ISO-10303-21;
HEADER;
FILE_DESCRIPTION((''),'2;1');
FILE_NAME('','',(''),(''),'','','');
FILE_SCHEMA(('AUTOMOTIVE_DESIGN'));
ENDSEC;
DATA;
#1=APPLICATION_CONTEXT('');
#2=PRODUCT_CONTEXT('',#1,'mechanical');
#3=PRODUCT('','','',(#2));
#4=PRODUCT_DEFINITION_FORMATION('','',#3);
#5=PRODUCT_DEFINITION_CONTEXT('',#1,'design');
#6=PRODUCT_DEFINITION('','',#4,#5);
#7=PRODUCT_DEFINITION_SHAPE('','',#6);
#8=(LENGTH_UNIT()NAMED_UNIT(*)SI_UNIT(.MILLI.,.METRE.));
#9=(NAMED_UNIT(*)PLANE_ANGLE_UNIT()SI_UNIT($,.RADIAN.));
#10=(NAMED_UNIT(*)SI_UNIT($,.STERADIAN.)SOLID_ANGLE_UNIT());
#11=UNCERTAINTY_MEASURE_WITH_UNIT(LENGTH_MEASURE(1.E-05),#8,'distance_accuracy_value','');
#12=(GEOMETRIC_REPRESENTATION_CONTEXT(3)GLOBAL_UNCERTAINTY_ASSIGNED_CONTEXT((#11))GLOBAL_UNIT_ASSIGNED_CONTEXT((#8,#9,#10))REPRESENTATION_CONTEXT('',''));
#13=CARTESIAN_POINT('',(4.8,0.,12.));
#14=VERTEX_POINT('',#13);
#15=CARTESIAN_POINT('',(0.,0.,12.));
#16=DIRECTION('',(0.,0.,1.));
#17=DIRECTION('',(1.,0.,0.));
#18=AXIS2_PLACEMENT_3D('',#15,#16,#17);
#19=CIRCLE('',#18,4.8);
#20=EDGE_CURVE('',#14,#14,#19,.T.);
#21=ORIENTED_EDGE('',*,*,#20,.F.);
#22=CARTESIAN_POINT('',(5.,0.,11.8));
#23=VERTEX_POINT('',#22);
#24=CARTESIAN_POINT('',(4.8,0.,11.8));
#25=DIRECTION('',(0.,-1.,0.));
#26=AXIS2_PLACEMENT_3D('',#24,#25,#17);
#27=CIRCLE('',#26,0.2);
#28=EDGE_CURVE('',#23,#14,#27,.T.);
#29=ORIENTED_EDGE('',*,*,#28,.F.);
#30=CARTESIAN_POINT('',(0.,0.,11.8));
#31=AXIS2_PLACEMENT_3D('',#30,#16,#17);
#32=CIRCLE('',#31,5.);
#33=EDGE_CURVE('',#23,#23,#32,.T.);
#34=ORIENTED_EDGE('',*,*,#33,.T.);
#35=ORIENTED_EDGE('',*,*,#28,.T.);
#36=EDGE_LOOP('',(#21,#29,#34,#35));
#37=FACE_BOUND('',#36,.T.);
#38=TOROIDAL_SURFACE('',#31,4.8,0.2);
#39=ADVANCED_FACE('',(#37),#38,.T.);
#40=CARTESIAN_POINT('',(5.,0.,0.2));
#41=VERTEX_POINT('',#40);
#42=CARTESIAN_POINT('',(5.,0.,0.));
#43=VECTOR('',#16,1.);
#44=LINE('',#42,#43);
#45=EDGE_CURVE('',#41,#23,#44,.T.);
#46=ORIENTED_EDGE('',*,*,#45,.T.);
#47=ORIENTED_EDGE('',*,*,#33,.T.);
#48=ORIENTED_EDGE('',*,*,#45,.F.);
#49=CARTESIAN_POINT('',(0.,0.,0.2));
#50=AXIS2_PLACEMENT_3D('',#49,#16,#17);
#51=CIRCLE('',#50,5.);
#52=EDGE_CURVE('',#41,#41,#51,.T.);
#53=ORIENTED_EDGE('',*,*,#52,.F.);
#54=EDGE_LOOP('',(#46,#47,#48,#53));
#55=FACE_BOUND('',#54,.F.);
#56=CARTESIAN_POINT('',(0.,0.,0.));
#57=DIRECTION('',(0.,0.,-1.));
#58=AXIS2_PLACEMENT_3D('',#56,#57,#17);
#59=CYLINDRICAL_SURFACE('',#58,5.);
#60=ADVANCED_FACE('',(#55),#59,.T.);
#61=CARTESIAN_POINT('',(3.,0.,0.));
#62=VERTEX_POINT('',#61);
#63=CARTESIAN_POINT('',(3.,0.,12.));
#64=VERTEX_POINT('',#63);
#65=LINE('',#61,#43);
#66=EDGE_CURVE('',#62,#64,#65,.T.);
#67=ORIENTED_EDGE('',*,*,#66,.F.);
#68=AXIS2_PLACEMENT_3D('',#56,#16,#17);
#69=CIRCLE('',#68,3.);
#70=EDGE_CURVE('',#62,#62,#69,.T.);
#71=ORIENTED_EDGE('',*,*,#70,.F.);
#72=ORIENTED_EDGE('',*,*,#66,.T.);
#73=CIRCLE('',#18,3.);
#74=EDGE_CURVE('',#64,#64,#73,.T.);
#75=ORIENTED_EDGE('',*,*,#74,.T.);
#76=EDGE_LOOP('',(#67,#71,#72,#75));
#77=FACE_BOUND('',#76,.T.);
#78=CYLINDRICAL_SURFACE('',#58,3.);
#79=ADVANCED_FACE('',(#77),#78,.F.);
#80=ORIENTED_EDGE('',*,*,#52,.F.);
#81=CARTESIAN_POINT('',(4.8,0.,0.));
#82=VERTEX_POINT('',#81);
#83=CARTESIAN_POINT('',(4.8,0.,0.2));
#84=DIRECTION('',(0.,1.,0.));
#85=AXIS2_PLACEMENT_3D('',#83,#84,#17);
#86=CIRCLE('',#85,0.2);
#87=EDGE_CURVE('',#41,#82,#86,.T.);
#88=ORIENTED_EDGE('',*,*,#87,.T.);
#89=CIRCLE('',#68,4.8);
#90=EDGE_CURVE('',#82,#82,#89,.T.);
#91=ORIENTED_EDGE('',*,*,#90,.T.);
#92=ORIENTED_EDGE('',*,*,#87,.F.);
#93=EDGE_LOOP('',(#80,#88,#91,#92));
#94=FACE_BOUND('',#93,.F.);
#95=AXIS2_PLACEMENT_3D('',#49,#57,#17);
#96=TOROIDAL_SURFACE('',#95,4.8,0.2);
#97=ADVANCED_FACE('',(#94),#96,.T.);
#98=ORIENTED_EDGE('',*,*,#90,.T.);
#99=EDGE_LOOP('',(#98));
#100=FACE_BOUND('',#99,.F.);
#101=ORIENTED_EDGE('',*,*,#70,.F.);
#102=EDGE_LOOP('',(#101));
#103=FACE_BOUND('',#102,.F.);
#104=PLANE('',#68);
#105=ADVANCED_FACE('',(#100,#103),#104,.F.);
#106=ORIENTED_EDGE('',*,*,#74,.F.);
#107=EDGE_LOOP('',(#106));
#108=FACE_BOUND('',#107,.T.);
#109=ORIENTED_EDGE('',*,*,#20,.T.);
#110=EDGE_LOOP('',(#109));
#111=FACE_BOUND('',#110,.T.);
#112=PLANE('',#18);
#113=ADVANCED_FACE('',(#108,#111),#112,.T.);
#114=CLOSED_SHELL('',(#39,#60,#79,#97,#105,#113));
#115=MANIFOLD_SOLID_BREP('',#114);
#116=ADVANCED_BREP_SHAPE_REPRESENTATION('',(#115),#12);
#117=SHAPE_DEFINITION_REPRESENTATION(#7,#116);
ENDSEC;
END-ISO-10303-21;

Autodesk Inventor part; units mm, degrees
ref_plane "YZ Plane" through (0, 0, 0) normal (1, 0, 0) x (0, 1, 0)
ref_plane "XZ Plane" through (0, 0, 0) normal (0, 1, 0) x (-1, 0, 0)
ref_plane "XY Plane" through (0, 0, 0) normal (0, 0, 1) x (1, 0, 0)
sketch "スケッチ1" plane through (0, 0, 0) normal (0, 0, 1) x (1, 0, 0)
  circle A0 centre (0, 0) radius 5
  circle A1 centre (0, 0) radius 3
  dimension "d0" = 10
  dimension "d1" = 6
extrude "押し出し1" add sketch "スケッチ1" along normal blind 12
fillet "フィレット1" radius 0.2 2 edges at (-5, 0, 12) (-5, 0, 0)
properties part number "スペーサー中空M6L12アルミ" material "アルミニウム 2014-T4"
